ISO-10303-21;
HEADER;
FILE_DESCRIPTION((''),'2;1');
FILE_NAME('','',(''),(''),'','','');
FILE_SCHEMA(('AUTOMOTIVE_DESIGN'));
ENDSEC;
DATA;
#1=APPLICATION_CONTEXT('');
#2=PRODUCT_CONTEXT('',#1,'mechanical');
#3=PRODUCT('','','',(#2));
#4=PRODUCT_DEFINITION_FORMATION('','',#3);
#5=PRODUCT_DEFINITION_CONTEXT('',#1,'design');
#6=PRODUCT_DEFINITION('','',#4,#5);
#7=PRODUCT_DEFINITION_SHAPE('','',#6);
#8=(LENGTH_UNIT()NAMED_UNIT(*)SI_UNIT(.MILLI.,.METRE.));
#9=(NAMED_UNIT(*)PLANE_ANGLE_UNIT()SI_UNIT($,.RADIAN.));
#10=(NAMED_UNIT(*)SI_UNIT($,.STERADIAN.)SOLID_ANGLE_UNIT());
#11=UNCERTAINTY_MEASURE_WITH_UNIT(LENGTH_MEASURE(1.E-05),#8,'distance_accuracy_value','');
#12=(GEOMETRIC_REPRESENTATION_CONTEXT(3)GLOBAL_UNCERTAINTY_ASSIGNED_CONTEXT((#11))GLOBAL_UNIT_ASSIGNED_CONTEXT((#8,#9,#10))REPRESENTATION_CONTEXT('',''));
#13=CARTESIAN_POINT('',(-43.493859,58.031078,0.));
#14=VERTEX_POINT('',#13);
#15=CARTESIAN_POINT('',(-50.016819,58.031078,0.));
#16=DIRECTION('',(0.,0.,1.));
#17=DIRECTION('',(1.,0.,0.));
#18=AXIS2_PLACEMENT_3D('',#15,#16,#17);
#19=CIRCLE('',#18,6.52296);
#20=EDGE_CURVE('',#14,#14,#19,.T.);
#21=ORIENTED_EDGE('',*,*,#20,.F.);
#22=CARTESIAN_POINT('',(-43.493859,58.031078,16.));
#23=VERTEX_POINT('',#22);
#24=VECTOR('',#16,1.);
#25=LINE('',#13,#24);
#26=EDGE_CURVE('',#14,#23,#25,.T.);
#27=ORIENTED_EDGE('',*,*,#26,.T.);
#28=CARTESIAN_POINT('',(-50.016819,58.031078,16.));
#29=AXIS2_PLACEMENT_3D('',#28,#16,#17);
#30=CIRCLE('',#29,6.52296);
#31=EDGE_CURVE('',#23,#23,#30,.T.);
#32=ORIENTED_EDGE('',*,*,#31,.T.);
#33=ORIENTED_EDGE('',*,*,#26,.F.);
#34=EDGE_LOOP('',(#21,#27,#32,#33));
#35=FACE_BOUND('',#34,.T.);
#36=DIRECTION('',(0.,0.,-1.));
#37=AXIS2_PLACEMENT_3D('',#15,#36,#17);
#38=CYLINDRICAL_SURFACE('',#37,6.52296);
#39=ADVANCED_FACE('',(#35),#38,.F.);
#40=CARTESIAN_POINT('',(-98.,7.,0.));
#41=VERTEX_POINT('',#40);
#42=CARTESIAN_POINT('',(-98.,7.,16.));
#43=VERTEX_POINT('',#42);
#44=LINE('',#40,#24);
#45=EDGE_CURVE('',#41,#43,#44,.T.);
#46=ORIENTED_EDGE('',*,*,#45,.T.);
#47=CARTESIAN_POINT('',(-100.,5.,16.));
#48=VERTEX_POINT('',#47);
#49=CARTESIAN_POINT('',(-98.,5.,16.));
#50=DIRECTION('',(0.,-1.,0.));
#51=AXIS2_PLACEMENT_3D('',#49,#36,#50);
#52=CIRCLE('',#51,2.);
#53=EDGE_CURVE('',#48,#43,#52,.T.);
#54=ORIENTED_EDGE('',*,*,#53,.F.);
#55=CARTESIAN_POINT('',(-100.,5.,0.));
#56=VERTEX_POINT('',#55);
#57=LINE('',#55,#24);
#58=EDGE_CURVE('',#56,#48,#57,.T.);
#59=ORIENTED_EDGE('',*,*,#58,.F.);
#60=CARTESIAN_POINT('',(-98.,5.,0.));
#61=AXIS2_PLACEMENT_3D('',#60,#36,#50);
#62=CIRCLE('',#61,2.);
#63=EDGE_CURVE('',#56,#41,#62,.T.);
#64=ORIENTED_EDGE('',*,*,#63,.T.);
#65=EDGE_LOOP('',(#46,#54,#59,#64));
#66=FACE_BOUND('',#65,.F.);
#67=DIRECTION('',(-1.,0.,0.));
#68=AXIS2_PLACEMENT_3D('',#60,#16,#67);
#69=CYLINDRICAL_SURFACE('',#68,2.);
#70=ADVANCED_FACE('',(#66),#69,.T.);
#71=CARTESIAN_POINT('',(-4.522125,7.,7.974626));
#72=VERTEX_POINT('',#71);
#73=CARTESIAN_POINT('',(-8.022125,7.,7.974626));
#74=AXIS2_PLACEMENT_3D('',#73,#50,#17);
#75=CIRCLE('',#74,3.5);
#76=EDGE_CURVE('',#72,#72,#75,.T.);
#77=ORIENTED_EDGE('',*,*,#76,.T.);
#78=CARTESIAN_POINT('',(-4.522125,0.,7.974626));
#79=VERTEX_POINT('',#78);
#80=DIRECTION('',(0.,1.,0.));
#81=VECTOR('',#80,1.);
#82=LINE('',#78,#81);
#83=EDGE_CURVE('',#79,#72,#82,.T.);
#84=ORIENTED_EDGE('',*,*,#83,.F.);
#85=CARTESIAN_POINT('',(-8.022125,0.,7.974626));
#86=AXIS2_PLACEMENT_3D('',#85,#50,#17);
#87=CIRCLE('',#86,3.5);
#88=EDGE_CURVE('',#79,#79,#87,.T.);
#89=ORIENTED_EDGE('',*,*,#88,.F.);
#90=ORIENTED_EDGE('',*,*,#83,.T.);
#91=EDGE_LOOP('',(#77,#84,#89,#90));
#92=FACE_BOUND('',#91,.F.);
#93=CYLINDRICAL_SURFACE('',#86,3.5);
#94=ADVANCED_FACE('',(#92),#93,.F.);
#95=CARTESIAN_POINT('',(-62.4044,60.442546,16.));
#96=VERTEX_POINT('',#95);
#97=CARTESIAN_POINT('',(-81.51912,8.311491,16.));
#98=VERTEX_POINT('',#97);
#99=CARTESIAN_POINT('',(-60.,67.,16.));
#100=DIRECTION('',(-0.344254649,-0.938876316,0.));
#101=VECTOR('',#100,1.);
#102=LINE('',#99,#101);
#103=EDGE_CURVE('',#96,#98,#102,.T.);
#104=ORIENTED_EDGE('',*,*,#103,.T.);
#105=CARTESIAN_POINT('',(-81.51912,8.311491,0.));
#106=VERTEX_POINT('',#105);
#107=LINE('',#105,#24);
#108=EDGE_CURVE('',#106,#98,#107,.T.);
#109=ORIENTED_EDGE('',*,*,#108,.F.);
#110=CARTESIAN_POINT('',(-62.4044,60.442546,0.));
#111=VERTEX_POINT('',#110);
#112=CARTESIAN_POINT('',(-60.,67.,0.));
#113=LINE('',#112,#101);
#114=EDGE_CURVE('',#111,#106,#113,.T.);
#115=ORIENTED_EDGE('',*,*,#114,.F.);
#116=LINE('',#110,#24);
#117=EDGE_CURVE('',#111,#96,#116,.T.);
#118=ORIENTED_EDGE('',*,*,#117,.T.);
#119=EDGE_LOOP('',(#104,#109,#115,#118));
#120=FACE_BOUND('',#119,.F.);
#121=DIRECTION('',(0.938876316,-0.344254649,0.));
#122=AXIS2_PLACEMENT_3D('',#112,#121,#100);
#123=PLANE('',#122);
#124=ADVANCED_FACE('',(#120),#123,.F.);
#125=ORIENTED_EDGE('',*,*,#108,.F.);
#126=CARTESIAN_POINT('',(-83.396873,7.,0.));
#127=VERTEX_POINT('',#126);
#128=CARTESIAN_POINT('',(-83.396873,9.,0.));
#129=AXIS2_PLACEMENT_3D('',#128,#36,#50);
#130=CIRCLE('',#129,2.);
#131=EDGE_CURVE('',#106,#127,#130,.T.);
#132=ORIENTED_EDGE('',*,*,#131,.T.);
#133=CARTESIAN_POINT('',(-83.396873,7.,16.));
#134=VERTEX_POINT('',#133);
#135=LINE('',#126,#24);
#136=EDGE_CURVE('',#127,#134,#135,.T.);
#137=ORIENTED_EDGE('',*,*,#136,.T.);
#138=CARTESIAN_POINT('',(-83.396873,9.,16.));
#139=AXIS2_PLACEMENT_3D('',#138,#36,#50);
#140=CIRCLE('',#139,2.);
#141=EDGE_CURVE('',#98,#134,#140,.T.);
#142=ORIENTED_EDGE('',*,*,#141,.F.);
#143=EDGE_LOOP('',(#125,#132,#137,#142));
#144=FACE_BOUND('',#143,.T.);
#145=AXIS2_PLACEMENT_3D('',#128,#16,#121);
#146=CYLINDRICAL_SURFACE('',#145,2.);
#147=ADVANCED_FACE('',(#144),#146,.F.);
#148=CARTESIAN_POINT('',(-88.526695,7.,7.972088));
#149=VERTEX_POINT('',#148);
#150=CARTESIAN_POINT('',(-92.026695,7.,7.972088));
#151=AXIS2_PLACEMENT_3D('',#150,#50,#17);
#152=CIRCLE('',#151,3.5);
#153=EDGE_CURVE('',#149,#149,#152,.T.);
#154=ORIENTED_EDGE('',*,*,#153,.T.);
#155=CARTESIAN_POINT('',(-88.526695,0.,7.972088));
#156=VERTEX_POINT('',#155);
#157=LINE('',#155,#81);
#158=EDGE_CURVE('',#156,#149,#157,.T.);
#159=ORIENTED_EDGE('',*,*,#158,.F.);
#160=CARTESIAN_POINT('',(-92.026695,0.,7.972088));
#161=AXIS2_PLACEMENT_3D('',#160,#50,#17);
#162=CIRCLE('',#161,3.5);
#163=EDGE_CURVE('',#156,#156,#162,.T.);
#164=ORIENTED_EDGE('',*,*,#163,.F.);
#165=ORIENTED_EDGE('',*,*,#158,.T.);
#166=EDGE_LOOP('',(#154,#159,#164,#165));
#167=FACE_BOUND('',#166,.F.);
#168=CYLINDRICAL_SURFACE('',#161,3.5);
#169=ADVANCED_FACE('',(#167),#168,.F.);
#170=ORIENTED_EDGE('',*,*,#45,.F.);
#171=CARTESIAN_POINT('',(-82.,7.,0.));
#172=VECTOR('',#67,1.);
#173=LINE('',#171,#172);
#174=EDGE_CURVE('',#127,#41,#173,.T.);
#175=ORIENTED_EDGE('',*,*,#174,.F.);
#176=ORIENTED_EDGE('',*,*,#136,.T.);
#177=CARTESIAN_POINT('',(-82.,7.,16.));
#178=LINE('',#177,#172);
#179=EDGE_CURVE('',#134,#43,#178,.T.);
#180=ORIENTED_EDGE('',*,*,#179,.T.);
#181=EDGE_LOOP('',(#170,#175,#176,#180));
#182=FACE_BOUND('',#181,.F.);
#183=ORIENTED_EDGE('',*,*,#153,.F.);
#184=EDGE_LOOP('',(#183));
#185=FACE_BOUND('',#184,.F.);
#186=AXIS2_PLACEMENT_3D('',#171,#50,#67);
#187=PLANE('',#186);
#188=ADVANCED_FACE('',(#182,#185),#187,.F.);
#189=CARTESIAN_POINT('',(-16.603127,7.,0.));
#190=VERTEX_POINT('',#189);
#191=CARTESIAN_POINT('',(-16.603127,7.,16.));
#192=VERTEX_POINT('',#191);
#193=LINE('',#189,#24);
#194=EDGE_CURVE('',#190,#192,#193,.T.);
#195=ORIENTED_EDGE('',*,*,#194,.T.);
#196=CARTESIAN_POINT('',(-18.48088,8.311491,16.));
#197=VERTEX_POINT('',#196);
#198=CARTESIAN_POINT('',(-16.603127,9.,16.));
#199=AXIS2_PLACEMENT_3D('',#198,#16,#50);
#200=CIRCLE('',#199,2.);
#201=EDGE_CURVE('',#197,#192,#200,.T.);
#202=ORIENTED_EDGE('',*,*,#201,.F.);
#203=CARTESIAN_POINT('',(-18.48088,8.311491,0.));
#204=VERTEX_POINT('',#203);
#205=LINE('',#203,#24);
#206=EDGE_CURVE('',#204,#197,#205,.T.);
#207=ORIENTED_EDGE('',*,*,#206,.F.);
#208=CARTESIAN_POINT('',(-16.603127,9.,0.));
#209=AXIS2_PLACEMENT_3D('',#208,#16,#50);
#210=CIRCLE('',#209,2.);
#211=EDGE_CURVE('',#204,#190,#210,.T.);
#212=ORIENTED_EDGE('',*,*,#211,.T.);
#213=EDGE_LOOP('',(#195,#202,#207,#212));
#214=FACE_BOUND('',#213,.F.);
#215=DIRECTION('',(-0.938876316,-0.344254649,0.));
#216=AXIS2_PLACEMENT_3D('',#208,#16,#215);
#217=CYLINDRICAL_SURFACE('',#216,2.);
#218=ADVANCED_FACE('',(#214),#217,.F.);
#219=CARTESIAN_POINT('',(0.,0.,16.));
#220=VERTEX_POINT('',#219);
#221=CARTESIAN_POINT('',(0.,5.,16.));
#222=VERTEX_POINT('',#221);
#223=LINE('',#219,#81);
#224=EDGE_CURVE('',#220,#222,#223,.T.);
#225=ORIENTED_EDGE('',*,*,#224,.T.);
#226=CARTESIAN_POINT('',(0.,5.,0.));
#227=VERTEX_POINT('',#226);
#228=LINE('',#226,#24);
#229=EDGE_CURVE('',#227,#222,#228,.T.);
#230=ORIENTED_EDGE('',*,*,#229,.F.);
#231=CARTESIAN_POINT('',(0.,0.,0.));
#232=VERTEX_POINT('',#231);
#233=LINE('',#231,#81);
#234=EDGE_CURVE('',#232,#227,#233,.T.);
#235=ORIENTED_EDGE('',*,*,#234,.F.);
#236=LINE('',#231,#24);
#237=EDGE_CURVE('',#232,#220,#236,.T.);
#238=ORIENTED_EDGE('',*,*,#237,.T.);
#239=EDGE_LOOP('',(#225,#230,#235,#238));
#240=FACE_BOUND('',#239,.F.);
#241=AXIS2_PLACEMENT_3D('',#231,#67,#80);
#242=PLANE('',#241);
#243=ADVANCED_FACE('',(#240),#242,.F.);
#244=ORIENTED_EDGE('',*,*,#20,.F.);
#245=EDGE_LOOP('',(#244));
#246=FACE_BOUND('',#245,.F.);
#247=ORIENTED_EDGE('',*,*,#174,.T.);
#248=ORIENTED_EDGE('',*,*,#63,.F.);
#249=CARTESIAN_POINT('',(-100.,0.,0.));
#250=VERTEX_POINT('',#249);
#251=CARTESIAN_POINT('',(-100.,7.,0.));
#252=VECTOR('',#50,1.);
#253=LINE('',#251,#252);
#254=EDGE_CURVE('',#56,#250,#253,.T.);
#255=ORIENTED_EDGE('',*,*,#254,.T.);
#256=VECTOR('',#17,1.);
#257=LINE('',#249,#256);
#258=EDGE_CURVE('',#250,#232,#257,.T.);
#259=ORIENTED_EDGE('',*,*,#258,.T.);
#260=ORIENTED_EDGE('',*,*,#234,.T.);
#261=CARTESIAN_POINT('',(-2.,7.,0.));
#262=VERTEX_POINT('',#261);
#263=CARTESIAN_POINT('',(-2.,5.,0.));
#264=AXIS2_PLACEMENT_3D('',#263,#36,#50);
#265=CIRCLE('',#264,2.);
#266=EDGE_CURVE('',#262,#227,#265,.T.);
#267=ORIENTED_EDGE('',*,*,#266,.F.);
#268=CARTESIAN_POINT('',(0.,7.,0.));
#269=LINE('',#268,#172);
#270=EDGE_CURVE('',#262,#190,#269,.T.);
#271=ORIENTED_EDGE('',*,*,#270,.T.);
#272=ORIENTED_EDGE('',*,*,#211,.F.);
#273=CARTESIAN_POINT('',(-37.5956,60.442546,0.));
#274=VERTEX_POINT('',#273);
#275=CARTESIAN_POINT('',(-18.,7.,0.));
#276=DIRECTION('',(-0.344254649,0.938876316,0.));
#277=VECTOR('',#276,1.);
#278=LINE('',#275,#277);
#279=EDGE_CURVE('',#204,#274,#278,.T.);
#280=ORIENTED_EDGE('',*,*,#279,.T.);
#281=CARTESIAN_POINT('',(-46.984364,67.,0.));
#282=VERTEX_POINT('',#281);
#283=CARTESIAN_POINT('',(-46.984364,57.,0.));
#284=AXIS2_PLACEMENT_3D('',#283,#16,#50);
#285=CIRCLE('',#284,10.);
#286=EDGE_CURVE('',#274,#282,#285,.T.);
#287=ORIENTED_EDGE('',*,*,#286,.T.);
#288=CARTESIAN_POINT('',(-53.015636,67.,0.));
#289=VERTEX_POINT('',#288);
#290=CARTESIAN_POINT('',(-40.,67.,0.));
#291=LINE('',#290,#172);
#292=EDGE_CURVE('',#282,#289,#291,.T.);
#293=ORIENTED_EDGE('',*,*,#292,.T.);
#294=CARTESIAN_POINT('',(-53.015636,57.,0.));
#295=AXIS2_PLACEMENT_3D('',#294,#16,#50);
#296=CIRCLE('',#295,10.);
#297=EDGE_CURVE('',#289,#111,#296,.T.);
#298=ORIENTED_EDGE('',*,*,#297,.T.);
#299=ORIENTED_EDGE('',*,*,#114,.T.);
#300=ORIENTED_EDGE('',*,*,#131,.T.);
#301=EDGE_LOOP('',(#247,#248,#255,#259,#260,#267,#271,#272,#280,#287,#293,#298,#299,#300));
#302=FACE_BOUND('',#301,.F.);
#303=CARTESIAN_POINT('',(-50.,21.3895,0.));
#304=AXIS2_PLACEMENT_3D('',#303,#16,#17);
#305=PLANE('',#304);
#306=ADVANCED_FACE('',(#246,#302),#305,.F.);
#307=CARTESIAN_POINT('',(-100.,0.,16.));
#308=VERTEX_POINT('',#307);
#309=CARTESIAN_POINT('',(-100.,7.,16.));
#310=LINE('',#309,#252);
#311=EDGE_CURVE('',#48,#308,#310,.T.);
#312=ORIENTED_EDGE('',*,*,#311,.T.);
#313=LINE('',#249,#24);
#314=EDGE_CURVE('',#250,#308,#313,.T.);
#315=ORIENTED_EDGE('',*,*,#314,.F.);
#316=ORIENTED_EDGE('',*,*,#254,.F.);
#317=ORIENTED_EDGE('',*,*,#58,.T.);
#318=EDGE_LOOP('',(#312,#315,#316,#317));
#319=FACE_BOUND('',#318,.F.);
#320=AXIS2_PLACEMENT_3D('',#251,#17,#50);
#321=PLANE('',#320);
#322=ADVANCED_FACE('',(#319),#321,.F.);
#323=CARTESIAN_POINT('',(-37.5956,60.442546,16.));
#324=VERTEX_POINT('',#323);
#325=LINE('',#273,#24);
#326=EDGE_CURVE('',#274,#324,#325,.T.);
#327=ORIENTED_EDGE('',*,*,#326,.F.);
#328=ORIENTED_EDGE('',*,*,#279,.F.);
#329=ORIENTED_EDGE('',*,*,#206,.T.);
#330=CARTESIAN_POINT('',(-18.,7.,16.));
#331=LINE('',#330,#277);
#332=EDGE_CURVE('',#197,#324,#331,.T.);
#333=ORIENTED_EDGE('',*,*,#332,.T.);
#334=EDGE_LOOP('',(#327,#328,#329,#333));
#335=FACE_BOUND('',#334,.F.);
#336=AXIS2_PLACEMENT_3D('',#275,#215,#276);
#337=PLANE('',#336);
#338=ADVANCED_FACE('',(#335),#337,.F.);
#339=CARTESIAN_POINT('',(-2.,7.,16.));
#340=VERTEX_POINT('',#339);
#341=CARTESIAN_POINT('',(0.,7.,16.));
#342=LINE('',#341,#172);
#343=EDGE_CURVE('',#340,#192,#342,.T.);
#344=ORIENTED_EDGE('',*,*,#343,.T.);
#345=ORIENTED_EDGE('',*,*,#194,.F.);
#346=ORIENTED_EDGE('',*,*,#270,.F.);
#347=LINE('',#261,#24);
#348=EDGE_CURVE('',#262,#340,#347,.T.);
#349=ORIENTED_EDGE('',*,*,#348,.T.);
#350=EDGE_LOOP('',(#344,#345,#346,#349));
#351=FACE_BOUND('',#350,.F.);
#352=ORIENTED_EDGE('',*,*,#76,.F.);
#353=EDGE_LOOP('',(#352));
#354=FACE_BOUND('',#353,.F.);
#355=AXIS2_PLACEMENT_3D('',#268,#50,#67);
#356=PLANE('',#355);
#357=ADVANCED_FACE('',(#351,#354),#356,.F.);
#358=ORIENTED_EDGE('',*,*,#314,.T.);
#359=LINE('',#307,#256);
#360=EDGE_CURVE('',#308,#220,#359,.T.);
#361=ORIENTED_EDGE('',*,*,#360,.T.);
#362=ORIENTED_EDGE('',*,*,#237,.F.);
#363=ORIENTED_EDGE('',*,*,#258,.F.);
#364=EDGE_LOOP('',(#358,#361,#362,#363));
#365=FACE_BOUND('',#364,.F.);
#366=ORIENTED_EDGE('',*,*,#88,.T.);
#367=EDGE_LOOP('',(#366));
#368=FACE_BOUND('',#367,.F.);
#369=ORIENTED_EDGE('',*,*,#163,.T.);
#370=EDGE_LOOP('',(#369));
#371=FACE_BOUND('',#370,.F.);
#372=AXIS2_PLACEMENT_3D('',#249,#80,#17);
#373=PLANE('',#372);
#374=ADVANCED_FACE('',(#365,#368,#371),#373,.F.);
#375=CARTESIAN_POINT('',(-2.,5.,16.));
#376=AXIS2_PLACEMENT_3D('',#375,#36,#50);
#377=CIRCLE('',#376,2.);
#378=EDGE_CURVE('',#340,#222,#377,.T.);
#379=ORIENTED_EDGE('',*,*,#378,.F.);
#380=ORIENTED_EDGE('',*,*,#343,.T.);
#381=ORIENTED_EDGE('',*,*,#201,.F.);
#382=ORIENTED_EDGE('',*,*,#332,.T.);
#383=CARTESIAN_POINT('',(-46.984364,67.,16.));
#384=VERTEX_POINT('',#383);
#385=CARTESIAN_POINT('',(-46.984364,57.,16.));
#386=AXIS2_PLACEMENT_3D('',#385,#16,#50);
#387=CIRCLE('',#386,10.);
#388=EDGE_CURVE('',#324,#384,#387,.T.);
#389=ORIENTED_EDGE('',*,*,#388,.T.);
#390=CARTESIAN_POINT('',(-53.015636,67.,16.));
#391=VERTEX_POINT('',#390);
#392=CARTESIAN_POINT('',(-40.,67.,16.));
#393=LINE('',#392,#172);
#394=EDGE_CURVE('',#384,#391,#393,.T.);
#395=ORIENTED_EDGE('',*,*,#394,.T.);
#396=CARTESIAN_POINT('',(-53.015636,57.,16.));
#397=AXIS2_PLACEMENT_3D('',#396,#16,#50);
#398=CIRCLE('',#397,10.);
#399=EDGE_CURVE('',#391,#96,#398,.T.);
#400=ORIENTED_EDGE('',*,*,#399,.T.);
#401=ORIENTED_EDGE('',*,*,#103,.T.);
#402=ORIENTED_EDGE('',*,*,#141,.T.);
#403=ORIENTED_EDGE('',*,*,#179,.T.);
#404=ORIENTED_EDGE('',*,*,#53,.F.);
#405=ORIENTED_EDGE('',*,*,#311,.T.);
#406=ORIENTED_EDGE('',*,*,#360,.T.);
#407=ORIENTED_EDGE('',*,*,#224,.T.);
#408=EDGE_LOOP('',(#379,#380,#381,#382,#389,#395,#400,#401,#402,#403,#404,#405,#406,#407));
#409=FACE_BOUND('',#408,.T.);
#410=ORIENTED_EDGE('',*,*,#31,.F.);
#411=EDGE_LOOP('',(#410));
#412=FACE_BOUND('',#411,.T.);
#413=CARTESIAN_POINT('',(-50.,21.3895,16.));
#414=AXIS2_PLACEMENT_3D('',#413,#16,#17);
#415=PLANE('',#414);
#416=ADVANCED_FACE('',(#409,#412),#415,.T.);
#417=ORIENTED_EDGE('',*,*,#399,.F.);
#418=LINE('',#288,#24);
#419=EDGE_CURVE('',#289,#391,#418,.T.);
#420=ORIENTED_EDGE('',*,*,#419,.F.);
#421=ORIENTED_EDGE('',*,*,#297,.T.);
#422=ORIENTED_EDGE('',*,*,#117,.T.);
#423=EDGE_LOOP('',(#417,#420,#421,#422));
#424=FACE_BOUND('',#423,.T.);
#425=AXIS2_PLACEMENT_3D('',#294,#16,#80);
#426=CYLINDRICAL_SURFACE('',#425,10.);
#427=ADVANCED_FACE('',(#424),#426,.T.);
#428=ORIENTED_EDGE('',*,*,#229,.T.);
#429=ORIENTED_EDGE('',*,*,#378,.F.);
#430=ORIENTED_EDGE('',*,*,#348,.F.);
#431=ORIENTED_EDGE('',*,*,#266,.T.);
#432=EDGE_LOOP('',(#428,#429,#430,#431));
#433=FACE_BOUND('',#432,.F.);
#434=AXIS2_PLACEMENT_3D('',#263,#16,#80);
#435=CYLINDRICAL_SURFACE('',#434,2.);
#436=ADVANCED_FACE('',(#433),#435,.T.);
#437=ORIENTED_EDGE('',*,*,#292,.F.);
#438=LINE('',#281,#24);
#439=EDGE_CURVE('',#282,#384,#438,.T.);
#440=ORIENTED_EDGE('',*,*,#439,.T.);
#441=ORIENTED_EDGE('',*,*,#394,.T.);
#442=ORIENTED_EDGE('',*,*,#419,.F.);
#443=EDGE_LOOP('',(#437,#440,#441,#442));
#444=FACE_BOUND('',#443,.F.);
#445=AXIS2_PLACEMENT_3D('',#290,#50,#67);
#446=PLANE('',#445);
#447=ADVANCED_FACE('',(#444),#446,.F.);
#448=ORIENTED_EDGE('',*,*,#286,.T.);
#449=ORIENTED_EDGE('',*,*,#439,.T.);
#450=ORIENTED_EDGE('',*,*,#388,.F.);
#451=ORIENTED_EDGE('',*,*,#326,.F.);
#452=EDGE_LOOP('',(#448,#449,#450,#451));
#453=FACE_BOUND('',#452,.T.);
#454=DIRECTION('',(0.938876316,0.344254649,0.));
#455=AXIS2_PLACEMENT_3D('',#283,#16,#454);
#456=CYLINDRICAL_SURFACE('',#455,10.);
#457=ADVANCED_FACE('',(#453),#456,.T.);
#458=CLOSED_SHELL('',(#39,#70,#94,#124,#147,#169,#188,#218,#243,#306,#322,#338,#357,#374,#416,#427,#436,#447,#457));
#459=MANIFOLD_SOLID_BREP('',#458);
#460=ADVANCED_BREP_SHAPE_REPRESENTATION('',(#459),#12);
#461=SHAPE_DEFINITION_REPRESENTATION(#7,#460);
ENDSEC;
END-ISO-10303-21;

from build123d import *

# Parameters (mm, degrees)
SKETCH_R       = 6.52296
PAD_DEPTH      = 16
SKETCH001_R    = 3.5
HOLE_DEPTH     = 10
HOLE_TIPS_R    = 3.5
SKETCH002_R    = 3.5
HOLE001_DEPTH  = 8
HOLE001_TIPS_R = 3.5
FILLET_R       = 10
FILLET001_R    = 10
FILLET002_R    = 2
FILLET003_R    = 2
FILLET004_R    = 2
FILLET005_R    = 2


with BuildPart() as part:
    # Sketch → Pad (new body)
    with BuildSketch(Plane.XY):
        Polygon((-100, 0), (0, 0), (0, 7), (-18, 7), (-40, 67), (-60, 67), (-82, 7), (-100, 7), align=None)
        with Locations((-50.016819, 58.031078)):
            Circle(SKETCH_R, mode=Mode.SUBTRACT)
    extrude(amount=PAD_DEPTH)

    # Sketch001 → Hole (cut)
    with BuildSketch(Plane.XZ):
        with Locations((-92.026695, 7.972088)):
            Circle(SKETCH001_R)
    extrude(amount=-HOLE_DEPTH, mode=Mode.SUBTRACT)

    # Hole tips → Hole tip 1 section 0
    with BuildSketch(Plane.XZ.offset(-10), mode=Mode.PRIVATE) as hole_tip_1_s0:
        with Locations((-92.026695, 7.972088)):
            Circle(HOLE_TIPS_R)
    loft([hole_tip_1_s0.sketch, Vertex(-92.026695, 12.103012, 7.972088)], mode=Mode.SUBTRACT)

    # Sketch002 → Hole001 (cut)
    with BuildSketch(Plane.XZ):
        with Locations((-8.022125, 7.974626)):
            Circle(SKETCH002_R)
    extrude(amount=-HOLE001_DEPTH, mode=Mode.SUBTRACT)

    # Hole001 tips → Hole001 tip 1 section 0
    with BuildSketch(Plane.XZ.offset(-8), mode=Mode.PRIVATE) as hole001_tip_1_s0:
        with Locations((-8.022125, 7.974626)):
            Circle(HOLE001_TIPS_R)
    loft([hole001_tip_1_s0.sketch, Vertex(-8.022125, 10.103012, 7.974626)], mode=Mode.SUBTRACT)

    # Fillet
    fillet_edges = [part.edges().sort_by_distance(p)[0] for p in [
        (-40, 67, 8),
    ]]
    fillet(fillet_edges, radius=FILLET_R)

    # Fillet001
    fillet001_edges = [part.edges().sort_by_distance(p)[0] for p in [
        (-60, 67, 8),
    ]]
    fillet(fillet001_edges, radius=FILLET001_R)

    # Fillet002
    fillet002_edges = [part.edges().sort_by_distance(p)[0] for p in [
        (-82, 7, 8),
    ]]
    fillet(fillet002_edges, radius=FILLET002_R)

    # Fillet003
    fillet003_edges = [part.edges().sort_by_distance(p)[0] for p in [
        (-18, 7, 8),
    ]]
    fillet(fillet003_edges, radius=FILLET003_R)

    # Fillet004
    fillet004_edges = [part.edges().sort_by_distance(p)[0] for p in [
        (0, 7, 8),
    ]]
    fillet(fillet004_edges, radius=FILLET004_R)

    # Fillet005
    fillet005_edges = [part.edges().sort_by_distance(p)[0] for p in [
        (-100, 7, 8),
    ]]
    fillet(fillet005_edges, radius=FILLET005_R)


solid = part.part
